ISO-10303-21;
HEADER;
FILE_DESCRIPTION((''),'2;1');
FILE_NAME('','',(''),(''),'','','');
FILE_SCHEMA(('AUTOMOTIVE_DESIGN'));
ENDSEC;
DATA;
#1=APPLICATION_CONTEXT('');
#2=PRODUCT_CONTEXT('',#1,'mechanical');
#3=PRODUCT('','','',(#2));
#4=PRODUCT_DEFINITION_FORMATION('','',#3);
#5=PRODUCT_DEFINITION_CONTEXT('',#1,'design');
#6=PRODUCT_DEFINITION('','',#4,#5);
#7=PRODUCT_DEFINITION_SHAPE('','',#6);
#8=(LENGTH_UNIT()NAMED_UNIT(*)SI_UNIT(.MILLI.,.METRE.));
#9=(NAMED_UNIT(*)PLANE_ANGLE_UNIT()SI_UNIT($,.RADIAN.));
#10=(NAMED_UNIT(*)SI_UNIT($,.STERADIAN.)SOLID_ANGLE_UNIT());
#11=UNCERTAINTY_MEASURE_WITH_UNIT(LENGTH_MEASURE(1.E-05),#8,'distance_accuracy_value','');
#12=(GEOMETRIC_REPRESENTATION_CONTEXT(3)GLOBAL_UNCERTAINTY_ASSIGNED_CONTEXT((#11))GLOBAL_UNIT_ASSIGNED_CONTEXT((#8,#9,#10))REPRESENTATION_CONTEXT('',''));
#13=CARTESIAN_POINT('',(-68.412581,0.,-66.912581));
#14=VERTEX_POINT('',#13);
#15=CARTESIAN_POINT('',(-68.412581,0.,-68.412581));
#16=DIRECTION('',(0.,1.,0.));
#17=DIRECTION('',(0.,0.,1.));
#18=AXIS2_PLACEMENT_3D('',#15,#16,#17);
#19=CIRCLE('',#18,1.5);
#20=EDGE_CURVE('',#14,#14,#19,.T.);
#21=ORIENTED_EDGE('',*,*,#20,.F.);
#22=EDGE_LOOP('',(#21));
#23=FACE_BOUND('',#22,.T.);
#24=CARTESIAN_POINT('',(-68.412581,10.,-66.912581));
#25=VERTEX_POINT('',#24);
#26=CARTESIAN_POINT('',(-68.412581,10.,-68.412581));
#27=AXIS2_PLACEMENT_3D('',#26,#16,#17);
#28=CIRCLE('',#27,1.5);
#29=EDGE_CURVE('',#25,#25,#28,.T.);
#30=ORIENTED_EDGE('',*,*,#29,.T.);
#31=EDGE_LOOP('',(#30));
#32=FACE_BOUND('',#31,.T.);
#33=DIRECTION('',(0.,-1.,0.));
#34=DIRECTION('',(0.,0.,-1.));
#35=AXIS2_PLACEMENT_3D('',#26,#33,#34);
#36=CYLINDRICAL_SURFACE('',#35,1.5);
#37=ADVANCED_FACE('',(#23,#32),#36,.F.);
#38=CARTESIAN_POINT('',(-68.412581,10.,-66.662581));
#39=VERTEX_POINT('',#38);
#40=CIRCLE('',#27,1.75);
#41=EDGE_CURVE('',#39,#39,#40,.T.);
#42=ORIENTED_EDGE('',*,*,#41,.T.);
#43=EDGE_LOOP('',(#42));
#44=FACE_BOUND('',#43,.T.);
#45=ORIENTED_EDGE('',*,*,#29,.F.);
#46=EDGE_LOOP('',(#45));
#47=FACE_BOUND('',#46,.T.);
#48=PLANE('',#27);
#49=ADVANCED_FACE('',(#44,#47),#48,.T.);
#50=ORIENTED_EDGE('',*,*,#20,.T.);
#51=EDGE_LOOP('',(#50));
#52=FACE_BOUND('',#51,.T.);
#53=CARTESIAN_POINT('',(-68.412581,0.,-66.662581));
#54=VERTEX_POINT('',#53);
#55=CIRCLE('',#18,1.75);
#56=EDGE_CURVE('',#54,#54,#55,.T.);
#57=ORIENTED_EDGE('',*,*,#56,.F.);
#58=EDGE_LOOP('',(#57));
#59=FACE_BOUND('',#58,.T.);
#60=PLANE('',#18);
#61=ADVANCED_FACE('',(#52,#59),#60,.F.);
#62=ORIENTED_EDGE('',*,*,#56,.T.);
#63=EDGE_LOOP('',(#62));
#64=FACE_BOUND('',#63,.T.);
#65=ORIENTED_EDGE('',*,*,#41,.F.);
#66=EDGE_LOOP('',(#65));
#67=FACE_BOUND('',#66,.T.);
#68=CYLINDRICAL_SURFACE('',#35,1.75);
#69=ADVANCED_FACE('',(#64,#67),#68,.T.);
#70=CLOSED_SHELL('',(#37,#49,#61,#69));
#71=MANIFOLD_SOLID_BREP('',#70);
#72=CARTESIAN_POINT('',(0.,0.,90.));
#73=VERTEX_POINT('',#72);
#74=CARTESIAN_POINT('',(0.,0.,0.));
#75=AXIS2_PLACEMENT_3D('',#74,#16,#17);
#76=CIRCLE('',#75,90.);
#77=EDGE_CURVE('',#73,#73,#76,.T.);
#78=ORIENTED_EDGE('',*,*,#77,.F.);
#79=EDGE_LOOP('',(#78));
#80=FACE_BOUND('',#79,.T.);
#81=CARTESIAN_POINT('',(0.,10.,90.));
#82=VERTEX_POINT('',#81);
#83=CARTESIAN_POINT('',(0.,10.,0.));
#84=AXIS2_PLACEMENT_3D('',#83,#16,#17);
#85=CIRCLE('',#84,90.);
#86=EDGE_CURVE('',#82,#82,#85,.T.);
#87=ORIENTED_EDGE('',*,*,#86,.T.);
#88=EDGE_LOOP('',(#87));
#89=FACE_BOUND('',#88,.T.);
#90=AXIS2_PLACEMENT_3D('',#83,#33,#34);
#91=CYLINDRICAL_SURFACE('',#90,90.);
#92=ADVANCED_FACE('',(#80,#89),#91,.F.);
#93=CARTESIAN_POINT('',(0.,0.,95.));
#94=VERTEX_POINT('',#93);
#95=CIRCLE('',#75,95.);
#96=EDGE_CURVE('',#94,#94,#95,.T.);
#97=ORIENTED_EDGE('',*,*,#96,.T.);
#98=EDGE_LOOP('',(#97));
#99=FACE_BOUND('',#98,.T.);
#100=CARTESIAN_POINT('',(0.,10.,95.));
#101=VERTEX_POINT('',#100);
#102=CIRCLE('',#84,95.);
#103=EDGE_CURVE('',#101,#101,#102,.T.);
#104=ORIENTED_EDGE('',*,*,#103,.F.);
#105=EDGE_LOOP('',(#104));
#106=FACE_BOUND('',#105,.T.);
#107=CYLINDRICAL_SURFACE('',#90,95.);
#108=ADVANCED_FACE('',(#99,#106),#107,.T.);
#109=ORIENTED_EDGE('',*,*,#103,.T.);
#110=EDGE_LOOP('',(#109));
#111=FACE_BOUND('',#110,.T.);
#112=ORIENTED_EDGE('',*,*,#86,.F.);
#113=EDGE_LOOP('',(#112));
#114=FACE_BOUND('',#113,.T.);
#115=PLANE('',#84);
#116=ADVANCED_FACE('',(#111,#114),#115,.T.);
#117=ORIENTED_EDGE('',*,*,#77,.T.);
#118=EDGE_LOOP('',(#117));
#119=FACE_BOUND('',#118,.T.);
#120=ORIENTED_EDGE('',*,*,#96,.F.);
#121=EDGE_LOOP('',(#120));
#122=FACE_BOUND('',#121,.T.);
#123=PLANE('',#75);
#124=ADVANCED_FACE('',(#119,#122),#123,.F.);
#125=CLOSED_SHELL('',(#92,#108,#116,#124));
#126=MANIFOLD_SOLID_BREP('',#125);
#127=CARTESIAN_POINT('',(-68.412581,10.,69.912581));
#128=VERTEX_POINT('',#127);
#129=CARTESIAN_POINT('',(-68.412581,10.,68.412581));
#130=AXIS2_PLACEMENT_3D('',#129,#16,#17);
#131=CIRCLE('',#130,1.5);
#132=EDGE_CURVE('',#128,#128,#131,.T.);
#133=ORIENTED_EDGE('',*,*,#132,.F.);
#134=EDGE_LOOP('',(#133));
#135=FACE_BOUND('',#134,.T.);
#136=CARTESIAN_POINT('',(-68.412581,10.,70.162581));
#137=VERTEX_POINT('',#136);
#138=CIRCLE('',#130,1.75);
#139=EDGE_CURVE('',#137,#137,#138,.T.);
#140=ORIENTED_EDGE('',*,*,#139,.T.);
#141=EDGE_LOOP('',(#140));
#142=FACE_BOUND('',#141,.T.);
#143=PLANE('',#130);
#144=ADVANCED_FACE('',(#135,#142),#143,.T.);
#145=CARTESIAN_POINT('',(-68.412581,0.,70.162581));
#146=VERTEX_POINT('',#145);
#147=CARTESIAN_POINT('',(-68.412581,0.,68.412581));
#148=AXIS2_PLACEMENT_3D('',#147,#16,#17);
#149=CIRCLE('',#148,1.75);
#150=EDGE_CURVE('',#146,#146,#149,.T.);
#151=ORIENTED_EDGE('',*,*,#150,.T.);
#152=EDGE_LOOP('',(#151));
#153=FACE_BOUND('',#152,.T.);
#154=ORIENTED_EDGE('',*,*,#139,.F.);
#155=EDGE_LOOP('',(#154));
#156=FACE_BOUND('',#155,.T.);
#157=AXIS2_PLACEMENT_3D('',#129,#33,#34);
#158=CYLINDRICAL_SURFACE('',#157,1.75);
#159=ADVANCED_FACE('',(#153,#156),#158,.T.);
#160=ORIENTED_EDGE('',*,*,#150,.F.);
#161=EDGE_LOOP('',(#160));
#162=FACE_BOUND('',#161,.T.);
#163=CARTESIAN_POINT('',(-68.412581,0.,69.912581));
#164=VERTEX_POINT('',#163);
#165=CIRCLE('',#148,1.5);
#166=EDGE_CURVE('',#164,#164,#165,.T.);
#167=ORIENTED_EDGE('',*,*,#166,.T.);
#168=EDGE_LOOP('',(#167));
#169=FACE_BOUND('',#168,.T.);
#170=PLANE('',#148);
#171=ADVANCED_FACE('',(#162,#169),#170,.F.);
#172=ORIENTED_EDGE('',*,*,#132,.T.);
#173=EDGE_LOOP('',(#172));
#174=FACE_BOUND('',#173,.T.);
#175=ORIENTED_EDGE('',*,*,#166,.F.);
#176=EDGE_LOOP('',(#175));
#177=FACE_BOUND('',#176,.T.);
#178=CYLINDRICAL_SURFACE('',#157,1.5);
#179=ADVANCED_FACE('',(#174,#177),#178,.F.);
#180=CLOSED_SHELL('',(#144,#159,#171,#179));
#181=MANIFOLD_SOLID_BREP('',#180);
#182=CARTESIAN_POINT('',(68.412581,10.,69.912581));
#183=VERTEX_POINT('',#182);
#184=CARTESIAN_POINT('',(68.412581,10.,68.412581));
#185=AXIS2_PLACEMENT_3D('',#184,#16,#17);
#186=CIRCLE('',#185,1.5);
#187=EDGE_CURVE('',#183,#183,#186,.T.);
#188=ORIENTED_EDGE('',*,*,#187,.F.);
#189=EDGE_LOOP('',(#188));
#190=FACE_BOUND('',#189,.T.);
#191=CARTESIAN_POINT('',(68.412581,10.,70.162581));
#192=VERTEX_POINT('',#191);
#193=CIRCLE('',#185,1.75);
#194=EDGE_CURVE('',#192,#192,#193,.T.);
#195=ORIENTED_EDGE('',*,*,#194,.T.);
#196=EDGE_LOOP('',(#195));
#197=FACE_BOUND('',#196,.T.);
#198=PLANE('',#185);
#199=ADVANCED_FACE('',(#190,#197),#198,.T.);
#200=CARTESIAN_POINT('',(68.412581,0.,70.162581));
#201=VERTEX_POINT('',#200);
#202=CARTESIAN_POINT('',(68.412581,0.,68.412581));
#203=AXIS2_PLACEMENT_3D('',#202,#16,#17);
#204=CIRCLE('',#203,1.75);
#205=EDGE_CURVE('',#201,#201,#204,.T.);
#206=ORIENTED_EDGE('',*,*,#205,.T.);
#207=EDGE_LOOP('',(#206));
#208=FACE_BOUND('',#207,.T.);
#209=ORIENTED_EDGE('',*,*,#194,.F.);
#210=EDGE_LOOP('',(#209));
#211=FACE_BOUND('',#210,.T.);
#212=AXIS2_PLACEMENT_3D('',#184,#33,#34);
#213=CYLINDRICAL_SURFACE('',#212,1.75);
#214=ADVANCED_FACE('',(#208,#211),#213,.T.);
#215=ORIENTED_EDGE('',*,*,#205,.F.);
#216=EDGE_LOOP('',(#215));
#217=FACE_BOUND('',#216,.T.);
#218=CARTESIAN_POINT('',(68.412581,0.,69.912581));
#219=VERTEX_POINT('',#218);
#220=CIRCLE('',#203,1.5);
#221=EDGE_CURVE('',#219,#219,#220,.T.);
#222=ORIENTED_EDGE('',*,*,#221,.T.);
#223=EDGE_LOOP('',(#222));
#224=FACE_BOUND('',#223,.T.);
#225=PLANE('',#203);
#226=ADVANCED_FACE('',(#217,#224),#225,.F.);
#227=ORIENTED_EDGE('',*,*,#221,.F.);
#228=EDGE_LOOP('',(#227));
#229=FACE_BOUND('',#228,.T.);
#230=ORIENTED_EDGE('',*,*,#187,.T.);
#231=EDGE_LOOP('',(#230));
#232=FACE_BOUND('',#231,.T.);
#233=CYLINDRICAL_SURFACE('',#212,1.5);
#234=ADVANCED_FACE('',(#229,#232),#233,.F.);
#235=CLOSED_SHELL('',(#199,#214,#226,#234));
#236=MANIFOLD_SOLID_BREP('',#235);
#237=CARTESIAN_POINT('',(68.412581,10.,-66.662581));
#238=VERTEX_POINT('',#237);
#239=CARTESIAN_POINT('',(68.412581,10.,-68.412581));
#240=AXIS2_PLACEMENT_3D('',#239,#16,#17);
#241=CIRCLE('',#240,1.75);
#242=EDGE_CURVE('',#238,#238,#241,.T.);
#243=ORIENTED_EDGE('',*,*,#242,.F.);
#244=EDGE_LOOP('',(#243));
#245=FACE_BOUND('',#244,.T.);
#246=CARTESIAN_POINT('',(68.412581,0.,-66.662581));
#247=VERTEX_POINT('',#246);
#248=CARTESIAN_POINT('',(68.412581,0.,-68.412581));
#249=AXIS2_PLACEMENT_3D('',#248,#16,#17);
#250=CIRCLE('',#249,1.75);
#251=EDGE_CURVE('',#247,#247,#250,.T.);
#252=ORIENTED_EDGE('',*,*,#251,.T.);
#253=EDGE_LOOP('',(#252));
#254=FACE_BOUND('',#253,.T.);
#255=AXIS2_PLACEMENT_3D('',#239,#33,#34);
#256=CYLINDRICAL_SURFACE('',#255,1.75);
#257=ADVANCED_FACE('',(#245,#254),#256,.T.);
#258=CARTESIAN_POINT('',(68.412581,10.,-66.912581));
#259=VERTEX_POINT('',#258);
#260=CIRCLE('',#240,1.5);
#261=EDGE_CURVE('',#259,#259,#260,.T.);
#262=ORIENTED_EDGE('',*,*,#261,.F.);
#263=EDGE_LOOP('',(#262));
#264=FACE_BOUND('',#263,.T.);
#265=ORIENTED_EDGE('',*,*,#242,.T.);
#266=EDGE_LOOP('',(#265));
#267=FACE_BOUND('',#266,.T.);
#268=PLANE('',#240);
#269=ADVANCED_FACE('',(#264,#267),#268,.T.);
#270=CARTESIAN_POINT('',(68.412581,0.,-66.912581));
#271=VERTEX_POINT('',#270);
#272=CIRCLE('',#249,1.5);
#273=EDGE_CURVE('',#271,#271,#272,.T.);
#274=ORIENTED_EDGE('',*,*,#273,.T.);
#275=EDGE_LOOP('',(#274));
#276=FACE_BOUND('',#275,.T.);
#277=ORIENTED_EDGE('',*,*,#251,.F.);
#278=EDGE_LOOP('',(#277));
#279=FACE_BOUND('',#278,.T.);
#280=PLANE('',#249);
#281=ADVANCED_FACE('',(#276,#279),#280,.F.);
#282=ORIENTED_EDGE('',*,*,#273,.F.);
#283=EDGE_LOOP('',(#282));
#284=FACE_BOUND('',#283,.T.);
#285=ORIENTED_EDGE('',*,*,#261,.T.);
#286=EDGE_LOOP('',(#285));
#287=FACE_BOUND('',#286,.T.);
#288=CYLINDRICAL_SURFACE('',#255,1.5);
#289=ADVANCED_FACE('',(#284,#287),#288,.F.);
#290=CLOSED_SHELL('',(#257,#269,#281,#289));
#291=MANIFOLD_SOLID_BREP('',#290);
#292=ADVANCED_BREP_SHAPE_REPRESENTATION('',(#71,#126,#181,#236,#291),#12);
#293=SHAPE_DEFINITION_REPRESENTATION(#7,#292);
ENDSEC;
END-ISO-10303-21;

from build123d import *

# Parameters (mm, degrees)
SKETCH_1_R        = 95
SKETCH_1_R_2      = 90
EXTRUDE_2_DEPTH   = 10
SKETCH_1_R_3      = 1.75
SKETCH_1_R_4      = 1.5
EXTRUDE_2_2_DEPTH = 10
EXTRUDE_2_3_DEPTH = 10
EXTRUDE_2_4_DEPTH = 10
EXTRUDE_2_5_DEPTH = 10


with BuildPart() as part:
    # Эскиз1 → Бобышка-Вытянуть2 (new body)
    with BuildSketch(Plane(origin=(0, 0, 0), x_dir=(1, 0, 0), z_dir=(0, 1, 0))):
        Circle(SKETCH_1_R)
        Circle(SKETCH_1_R_2, mode=Mode.SUBTRACT)
    extrude(amount=EXTRUDE_2_DEPTH)


with BuildPart() as body_2:
    # Эскиз1 → Extrude 2 2 (new body)
    with BuildSketch(Plane(origin=(0, 0, 0), x_dir=(1, 0, 0), z_dir=(0, 1, 0))):
        with Locations((68.41258108, 68.41258108)):
            Circle(SKETCH_1_R_3)
        with Locations((68.41258108, 68.41258108)):
            Circle(SKETCH_1_R_4, mode=Mode.SUBTRACT)
    extrude(amount=EXTRUDE_2_2_DEPTH)


with BuildPart() as body_3:
    # Эскиз1 → Extrude 2 3 (new body)
    with BuildSketch(Plane(origin=(0, 0, 0), x_dir=(1, 0, 0), z_dir=(0, 1, 0))):
        with Locations((68.41258108, -68.41258108)):
            Circle(SKETCH_1_R_3)
        with Locations((68.41258108, -68.41258108)):
            Circle(SKETCH_1_R_4, mode=Mode.SUBTRACT)
    extrude(amount=EXTRUDE_2_3_DEPTH)


with BuildPart() as body_4:
    # Эскиз1 → Extrude 2 4 (new body)
    with BuildSketch(Plane(origin=(0, 0, 0), x_dir=(1, 0, 0), z_dir=(0, 1, 0))):
        with Locations((-68.41258108, -68.41258108)):
            Circle(SKETCH_1_R_3)
        with Locations((-68.41258108, -68.41258108)):
            Circle(SKETCH_1_R_4, mode=Mode.SUBTRACT)
    extrude(amount=EXTRUDE_2_4_DEPTH)


with BuildPart() as body_5:
    # Эскиз1 → Extrude 2 5 (new body)
    with BuildSketch(Plane(origin=(0, 0, 0), x_dir=(1, 0, 0), z_dir=(0, 1, 0))):
        with Locations((-68.41258108, 68.41258108)):
            Circle(SKETCH_1_R_3)
        with Locations((-68.41258108, 68.41258108)):
            Circle(SKETCH_1_R_4, mode=Mode.SUBTRACT)
    extrude(amount=EXTRUDE_2_5_DEPTH)


solid = Compound([part.part, body_2.part, body_3.part, body_4.part, body_5.part])
